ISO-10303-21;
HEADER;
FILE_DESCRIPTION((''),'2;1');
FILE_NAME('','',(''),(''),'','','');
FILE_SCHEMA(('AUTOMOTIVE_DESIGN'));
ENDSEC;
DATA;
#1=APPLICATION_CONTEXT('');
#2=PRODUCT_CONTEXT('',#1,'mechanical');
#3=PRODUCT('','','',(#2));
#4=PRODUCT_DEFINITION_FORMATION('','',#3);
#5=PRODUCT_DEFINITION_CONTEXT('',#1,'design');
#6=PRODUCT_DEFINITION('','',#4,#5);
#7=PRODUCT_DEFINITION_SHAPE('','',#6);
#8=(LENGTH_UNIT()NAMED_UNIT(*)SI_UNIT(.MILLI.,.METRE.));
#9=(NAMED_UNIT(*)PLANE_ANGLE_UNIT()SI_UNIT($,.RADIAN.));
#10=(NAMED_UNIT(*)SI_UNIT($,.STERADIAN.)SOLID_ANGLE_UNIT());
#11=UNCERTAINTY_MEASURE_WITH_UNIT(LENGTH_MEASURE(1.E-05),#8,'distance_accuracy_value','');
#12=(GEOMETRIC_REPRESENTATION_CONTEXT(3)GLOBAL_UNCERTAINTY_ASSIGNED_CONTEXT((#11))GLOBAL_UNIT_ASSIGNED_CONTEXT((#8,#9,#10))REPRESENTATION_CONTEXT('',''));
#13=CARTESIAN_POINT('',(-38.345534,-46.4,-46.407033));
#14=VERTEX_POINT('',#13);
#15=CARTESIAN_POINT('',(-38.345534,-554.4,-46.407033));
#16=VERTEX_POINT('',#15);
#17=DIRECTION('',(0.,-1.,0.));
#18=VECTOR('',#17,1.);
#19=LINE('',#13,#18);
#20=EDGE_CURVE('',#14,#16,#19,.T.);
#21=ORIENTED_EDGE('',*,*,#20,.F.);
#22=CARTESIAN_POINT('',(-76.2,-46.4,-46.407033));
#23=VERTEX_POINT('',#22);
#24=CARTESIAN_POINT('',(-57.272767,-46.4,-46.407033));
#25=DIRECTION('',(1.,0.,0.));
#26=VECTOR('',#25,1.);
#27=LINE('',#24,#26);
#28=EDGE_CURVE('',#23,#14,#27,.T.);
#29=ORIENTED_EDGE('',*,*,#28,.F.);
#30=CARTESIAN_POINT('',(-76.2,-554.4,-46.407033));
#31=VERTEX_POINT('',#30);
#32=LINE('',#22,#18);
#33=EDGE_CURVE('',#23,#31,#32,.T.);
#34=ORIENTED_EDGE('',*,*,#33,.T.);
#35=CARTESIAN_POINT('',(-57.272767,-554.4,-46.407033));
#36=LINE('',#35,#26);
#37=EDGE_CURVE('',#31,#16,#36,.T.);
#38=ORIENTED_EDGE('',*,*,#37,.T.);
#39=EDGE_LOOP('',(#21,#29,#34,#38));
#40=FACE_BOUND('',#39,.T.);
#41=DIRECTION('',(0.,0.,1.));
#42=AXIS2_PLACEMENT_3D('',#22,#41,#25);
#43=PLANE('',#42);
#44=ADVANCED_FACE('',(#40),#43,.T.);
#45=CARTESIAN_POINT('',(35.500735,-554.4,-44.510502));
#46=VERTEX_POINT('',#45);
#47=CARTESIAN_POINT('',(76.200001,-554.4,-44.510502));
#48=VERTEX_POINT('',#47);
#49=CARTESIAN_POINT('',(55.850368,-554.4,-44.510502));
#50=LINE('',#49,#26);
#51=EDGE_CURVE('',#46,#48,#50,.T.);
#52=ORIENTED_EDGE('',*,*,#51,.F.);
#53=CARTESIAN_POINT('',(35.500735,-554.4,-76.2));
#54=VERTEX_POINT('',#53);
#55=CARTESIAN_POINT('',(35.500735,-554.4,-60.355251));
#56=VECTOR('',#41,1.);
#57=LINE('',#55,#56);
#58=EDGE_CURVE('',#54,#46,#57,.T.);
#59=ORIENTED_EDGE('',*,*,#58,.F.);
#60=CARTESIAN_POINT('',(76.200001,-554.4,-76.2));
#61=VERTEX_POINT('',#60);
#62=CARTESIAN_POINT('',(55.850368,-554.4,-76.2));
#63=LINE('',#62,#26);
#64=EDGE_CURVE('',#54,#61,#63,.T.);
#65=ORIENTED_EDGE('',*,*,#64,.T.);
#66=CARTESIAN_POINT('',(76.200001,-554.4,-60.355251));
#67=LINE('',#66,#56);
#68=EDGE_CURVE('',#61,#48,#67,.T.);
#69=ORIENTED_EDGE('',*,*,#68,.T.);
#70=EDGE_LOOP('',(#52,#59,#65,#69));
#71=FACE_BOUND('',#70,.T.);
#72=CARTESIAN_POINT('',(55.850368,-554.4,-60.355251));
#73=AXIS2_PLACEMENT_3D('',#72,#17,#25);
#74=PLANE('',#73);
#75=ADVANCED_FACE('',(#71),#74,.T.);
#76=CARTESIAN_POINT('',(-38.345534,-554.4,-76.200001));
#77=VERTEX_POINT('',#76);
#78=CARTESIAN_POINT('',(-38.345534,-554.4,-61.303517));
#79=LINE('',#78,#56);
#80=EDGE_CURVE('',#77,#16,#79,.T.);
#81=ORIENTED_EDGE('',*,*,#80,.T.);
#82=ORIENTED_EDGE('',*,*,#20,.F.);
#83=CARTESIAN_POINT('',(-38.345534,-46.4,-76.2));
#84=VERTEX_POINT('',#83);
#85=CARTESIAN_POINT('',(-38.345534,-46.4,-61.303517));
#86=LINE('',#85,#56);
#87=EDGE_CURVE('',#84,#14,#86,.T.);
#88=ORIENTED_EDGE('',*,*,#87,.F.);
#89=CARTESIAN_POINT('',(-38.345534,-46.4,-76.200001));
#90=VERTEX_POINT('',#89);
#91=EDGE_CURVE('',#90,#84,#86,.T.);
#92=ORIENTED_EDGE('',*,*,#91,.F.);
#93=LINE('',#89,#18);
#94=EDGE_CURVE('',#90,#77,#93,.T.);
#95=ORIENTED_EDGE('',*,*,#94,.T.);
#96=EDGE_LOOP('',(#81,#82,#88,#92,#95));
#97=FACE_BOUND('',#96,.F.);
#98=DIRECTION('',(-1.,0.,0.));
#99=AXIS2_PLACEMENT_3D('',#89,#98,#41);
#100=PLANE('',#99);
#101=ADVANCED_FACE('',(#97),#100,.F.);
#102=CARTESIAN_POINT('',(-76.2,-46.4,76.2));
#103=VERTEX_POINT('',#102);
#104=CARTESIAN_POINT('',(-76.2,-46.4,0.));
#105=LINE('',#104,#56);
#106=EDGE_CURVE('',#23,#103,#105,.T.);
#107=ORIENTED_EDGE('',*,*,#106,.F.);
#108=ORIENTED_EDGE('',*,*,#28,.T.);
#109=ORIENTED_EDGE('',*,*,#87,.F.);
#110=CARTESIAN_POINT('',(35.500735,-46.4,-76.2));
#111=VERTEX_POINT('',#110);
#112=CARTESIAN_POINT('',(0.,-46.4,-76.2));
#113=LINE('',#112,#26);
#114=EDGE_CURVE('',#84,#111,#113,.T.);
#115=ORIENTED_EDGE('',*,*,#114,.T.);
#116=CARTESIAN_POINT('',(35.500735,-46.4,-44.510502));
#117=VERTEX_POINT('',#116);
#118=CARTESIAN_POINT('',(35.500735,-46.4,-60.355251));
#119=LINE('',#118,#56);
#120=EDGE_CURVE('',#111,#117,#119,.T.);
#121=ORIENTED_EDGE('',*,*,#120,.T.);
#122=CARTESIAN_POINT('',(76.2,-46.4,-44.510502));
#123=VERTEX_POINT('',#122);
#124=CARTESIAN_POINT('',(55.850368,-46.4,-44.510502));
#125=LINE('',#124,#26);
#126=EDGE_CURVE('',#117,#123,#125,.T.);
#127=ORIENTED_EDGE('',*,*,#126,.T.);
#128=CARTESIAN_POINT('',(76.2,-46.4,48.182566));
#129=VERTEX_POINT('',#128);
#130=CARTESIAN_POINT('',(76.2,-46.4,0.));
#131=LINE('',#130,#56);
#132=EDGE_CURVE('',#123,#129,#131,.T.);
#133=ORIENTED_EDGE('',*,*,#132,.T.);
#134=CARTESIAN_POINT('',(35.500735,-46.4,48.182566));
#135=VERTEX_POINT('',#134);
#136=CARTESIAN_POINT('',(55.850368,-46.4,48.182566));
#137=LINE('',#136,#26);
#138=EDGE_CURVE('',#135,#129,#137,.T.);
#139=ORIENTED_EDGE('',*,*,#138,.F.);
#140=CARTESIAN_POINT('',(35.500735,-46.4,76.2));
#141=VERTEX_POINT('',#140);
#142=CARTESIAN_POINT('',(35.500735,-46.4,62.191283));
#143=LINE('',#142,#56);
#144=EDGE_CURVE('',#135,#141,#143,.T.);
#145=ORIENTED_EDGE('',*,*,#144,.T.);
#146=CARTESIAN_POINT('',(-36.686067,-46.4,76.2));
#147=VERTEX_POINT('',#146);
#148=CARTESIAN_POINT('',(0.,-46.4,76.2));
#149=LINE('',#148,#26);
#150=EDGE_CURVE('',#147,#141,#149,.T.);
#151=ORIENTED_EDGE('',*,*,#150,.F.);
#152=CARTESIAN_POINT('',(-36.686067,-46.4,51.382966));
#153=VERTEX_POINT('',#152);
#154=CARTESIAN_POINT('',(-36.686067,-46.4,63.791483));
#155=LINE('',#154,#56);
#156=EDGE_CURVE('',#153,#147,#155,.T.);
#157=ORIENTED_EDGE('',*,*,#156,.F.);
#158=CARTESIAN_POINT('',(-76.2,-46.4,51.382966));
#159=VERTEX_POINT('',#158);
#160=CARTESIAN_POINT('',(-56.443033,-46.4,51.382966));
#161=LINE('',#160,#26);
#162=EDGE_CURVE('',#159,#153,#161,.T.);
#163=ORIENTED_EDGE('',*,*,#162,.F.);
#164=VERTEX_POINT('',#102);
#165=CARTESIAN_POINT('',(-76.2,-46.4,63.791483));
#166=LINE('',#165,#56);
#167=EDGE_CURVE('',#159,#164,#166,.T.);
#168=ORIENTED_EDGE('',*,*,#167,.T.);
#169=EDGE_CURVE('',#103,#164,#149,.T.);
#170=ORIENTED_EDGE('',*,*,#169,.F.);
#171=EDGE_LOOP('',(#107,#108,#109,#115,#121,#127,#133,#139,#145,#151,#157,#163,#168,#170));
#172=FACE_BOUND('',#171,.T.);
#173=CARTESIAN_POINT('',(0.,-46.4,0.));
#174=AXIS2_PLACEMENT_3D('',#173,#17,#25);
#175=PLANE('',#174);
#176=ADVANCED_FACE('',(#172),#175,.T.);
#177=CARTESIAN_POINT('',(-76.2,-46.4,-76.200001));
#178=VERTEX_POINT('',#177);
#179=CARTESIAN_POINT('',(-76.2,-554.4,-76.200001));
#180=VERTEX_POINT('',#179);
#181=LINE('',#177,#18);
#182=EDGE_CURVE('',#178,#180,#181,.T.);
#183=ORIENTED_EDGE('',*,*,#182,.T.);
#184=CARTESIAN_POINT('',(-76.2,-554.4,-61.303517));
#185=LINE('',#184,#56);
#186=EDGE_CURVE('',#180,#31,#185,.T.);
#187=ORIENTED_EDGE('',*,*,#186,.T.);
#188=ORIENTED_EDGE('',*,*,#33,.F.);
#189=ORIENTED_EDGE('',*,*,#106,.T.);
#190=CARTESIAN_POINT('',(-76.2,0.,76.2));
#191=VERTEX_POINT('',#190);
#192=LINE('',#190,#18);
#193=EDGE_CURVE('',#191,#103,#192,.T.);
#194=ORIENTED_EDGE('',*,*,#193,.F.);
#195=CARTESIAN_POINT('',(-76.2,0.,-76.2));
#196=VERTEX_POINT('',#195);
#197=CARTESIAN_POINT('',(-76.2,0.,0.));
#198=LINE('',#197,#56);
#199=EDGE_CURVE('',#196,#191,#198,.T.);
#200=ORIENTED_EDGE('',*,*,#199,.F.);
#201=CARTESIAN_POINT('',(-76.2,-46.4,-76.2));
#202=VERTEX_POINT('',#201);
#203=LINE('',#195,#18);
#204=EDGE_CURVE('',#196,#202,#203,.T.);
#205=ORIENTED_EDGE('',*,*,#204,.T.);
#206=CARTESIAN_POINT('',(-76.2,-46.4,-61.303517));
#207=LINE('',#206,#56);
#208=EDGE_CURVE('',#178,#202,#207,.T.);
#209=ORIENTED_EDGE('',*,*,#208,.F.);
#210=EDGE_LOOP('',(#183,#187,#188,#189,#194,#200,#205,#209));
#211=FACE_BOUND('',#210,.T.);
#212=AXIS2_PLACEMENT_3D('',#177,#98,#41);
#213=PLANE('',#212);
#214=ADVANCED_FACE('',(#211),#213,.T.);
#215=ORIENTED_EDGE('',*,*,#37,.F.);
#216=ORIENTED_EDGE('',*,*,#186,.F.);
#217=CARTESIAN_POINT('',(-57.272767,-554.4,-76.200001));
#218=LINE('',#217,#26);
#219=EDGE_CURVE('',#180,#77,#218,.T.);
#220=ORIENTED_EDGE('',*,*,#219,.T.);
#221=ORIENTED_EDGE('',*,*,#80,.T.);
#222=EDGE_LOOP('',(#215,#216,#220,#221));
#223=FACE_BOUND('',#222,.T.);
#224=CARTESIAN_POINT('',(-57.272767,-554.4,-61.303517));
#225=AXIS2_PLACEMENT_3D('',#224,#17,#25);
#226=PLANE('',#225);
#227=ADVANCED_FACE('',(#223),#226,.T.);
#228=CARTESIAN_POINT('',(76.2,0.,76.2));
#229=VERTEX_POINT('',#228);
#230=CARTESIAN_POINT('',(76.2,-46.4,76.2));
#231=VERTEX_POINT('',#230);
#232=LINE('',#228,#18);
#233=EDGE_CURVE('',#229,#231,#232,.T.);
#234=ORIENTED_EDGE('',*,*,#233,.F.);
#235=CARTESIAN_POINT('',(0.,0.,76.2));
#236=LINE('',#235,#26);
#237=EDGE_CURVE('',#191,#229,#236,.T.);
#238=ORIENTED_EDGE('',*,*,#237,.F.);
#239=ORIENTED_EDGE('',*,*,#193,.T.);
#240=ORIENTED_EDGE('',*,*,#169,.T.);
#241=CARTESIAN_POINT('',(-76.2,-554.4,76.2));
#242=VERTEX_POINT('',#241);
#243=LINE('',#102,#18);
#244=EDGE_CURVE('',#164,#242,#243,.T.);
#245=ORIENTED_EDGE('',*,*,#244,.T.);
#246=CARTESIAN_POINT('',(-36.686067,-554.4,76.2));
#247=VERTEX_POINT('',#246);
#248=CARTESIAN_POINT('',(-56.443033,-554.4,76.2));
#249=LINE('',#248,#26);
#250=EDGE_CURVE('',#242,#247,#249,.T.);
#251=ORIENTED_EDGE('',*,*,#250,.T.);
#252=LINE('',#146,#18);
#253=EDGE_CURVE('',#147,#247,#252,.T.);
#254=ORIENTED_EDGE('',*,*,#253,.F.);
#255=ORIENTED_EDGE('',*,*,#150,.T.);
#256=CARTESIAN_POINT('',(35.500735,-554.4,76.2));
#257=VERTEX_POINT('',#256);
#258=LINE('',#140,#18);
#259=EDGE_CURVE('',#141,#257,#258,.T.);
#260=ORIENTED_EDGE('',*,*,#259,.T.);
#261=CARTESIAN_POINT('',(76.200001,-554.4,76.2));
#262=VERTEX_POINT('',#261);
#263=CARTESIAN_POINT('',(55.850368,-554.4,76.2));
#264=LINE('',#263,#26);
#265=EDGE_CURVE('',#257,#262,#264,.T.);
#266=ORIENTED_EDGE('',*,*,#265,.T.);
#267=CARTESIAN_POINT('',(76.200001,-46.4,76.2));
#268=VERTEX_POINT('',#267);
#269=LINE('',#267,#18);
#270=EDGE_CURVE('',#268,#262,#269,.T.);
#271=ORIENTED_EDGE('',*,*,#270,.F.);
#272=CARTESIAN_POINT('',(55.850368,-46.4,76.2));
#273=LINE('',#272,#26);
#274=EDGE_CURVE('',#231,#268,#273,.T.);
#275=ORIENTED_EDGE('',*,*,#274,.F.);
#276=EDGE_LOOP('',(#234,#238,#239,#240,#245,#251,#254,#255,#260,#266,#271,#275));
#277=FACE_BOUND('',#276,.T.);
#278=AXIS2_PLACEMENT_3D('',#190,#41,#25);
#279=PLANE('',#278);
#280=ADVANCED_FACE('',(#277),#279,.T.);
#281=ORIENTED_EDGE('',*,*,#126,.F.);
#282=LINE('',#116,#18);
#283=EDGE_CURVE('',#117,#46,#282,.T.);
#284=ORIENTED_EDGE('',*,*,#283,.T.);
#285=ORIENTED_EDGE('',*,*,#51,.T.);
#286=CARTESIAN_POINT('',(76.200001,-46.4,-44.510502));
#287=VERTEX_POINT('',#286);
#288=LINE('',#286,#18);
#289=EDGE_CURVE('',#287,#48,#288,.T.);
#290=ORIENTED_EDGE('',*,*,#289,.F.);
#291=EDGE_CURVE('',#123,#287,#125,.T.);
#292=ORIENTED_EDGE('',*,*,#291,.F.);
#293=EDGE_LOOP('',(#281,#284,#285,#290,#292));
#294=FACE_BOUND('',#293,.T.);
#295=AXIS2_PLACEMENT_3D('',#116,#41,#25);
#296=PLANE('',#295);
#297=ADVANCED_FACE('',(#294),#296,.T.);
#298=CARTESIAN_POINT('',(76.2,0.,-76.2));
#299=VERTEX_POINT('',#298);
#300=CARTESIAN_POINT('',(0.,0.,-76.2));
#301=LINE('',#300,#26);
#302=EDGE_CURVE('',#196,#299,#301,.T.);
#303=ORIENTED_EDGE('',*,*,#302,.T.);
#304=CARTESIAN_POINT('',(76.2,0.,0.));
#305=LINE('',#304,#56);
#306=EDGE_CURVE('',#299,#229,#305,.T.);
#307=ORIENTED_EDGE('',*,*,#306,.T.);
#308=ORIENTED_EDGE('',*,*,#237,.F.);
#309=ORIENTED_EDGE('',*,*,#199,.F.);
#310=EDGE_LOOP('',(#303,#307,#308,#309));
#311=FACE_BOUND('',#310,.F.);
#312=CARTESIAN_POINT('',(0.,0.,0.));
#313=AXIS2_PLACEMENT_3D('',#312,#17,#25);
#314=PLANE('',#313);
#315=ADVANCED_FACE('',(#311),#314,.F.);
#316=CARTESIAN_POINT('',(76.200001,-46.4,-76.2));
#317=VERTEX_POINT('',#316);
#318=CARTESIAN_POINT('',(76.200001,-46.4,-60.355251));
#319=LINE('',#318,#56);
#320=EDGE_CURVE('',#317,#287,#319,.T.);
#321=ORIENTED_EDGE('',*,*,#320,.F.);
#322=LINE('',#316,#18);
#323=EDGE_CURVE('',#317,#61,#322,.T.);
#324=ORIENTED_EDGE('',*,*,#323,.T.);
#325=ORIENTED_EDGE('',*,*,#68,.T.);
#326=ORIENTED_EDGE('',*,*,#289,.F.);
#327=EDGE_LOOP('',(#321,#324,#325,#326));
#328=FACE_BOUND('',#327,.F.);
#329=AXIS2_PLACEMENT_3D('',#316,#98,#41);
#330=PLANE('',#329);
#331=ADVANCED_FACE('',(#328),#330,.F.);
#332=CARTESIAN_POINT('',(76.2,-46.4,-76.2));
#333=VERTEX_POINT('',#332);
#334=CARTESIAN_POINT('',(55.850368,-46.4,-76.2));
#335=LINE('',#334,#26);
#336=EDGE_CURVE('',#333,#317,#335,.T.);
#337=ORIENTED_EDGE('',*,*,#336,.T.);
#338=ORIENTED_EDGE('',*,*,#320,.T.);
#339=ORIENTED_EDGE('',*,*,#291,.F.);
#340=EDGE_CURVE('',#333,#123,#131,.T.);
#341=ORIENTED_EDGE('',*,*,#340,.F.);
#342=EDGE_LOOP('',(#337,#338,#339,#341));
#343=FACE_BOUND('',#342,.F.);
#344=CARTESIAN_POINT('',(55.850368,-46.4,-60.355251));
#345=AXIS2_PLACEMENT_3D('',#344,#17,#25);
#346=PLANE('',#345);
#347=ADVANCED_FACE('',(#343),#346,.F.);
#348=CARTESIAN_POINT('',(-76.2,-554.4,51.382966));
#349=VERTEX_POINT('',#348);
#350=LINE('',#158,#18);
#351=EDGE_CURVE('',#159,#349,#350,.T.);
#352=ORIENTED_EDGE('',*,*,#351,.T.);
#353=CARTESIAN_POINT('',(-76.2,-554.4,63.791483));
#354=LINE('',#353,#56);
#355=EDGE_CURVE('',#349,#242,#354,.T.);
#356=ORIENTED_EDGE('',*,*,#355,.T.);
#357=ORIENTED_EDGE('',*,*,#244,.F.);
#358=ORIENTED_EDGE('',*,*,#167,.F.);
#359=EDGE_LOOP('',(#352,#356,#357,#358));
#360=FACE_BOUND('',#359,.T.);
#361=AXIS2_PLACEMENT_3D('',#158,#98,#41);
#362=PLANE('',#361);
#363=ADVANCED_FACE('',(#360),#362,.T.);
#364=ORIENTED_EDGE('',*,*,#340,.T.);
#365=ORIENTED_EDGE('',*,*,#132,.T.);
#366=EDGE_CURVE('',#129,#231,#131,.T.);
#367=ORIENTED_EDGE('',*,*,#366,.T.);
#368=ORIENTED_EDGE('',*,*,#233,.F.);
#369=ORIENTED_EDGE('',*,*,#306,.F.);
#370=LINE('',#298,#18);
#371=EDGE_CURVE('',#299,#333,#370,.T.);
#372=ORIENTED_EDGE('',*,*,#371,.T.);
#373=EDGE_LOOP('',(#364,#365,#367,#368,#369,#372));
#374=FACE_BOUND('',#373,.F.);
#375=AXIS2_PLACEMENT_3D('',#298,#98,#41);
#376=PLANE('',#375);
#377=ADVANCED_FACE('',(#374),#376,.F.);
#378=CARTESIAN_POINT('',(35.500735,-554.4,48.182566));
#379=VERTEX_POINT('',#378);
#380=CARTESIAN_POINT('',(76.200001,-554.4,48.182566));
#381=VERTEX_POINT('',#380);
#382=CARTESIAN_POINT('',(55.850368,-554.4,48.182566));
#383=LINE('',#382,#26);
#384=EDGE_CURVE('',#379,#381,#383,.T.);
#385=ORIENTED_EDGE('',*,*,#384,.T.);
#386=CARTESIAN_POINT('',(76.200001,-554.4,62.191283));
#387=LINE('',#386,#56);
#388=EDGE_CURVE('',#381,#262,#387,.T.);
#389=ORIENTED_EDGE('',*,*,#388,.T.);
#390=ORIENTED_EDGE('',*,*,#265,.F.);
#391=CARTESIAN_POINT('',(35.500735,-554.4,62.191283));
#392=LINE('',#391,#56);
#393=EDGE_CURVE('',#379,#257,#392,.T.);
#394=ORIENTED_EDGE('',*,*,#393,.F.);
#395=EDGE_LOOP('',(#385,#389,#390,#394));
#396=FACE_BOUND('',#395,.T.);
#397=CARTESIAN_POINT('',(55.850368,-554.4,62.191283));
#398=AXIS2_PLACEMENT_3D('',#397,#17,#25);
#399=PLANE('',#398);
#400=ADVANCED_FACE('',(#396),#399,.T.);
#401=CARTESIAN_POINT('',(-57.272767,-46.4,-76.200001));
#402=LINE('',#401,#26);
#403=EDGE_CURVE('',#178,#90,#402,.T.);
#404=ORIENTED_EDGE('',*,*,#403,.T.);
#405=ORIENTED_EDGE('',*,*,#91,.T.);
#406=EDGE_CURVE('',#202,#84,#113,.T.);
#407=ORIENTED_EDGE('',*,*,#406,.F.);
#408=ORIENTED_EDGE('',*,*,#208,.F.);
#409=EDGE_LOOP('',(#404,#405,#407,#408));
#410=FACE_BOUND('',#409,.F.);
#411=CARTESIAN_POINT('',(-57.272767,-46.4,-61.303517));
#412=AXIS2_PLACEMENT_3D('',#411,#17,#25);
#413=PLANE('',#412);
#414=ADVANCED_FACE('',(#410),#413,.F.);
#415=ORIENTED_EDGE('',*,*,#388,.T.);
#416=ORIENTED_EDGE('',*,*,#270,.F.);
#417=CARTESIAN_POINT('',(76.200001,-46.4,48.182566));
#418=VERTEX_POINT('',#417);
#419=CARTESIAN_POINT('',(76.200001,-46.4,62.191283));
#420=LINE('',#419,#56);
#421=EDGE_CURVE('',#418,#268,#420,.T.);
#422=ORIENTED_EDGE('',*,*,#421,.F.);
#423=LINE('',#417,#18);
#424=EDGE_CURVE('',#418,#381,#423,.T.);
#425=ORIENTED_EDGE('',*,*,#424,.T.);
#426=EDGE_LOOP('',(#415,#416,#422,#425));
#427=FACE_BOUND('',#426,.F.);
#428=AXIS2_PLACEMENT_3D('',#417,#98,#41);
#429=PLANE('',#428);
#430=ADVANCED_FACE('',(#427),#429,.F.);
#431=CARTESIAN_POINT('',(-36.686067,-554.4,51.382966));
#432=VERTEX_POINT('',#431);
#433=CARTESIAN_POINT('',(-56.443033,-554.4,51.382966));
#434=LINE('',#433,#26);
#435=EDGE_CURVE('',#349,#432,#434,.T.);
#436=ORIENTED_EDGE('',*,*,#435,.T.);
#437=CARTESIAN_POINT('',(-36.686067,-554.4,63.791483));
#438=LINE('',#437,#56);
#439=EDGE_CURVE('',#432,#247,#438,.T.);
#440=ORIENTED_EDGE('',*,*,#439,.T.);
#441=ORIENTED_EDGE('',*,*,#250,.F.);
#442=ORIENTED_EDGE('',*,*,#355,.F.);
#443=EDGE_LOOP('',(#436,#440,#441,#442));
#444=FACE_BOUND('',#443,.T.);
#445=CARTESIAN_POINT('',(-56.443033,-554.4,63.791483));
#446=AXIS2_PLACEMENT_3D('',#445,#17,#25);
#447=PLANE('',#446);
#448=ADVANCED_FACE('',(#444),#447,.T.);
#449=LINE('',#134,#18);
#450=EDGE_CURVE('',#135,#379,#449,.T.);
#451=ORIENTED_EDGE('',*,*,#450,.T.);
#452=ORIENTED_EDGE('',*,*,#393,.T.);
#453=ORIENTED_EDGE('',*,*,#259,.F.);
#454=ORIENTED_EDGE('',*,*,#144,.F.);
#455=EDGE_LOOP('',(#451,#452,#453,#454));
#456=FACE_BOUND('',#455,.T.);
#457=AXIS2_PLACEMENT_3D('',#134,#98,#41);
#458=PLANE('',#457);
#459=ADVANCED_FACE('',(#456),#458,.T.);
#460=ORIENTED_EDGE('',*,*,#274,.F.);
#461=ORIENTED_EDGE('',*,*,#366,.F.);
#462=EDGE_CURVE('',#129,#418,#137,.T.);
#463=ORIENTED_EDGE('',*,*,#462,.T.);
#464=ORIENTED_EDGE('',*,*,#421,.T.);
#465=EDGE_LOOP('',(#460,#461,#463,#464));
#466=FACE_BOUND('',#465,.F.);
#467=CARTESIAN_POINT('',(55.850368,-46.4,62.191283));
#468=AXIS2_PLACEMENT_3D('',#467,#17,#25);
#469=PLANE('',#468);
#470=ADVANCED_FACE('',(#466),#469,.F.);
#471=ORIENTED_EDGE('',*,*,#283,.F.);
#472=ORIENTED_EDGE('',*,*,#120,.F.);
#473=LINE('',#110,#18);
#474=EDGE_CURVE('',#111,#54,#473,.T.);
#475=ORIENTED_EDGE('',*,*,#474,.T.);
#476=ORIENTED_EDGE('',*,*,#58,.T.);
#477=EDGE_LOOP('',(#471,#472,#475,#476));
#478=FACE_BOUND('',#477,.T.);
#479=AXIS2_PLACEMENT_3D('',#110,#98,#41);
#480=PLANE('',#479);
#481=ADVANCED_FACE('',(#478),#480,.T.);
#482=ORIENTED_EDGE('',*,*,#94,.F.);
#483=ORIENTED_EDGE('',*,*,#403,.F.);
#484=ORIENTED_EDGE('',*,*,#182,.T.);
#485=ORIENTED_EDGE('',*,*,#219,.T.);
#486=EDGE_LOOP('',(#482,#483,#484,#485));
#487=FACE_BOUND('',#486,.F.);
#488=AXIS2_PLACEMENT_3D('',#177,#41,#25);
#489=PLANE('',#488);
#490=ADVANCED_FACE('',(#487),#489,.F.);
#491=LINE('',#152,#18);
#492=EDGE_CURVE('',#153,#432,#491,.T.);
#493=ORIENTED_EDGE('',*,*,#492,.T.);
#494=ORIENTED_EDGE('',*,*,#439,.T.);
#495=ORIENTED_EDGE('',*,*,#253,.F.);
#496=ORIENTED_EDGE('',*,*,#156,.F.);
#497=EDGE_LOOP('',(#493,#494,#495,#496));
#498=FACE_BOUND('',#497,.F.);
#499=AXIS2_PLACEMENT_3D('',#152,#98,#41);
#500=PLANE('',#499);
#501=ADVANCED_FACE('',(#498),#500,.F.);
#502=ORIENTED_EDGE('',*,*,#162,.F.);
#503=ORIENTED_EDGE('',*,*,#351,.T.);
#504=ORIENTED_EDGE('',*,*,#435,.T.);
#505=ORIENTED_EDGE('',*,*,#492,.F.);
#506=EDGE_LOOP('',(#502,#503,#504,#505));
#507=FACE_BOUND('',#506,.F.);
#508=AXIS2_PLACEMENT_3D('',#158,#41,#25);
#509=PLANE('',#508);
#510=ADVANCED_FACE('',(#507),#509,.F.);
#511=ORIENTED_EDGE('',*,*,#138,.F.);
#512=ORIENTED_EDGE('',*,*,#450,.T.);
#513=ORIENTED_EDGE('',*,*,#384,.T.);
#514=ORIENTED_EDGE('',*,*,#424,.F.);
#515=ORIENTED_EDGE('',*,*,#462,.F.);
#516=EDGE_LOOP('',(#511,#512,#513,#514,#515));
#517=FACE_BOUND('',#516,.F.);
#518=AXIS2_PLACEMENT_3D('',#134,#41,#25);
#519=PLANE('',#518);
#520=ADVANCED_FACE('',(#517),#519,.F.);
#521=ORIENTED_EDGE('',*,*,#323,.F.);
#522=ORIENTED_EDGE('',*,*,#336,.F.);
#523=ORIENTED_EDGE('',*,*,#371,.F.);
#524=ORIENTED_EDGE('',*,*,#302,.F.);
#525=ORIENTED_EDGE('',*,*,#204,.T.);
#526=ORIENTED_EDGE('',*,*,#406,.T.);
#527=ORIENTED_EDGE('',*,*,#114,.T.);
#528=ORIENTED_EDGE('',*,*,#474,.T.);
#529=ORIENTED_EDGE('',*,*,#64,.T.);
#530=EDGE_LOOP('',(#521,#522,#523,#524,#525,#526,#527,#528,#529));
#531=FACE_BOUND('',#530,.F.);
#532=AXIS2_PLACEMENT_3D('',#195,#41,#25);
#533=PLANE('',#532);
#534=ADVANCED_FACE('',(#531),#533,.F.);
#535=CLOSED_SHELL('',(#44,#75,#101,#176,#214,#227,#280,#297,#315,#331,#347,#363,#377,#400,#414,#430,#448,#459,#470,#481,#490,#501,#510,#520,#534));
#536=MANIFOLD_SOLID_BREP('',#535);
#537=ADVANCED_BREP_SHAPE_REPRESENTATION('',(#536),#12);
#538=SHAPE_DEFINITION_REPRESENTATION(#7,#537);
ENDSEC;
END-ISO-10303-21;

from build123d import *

# Parameters (mm, degrees)
F0_W     = 152.4
F0_H     = 152.4
F1_DEPTH = 46.4
F2_W     = 37.854466
F2_H     = 29.792967
F2_W_2   = 39.513933
F2_H_2   = 24.817034
F2_W_3   = 40.699265
F2_H_3   = 31.689498
F2_H_4   = 28.017434
F3_DEPTH = 508


with BuildPart() as f1:
    # F0 (on Front) → F1 (new body)
    with BuildSketch(Plane.XZ):
        Rectangle(F0_W, F0_H)
    extrude(amount=F1_DEPTH)

    # F2 (on face) → F3 (join)
    with BuildSketch(Plane.XZ.offset(46.4)):
        with Locations((-57.272767, -61.303517)):
            Rectangle(F2_W, F2_H)
        with Locations((-56.443033, 63.791483)):
            Rectangle(F2_W_2, F2_H_2)
        with Locations((55.850368, -60.355251)):
            Rectangle(F2_W_3, F2_H_3)
        with Locations((55.850368, 62.191283)):
            Rectangle(F2_W_3, F2_H_4)
    extrude(amount=F3_DEPTH)


solid = f1.part
